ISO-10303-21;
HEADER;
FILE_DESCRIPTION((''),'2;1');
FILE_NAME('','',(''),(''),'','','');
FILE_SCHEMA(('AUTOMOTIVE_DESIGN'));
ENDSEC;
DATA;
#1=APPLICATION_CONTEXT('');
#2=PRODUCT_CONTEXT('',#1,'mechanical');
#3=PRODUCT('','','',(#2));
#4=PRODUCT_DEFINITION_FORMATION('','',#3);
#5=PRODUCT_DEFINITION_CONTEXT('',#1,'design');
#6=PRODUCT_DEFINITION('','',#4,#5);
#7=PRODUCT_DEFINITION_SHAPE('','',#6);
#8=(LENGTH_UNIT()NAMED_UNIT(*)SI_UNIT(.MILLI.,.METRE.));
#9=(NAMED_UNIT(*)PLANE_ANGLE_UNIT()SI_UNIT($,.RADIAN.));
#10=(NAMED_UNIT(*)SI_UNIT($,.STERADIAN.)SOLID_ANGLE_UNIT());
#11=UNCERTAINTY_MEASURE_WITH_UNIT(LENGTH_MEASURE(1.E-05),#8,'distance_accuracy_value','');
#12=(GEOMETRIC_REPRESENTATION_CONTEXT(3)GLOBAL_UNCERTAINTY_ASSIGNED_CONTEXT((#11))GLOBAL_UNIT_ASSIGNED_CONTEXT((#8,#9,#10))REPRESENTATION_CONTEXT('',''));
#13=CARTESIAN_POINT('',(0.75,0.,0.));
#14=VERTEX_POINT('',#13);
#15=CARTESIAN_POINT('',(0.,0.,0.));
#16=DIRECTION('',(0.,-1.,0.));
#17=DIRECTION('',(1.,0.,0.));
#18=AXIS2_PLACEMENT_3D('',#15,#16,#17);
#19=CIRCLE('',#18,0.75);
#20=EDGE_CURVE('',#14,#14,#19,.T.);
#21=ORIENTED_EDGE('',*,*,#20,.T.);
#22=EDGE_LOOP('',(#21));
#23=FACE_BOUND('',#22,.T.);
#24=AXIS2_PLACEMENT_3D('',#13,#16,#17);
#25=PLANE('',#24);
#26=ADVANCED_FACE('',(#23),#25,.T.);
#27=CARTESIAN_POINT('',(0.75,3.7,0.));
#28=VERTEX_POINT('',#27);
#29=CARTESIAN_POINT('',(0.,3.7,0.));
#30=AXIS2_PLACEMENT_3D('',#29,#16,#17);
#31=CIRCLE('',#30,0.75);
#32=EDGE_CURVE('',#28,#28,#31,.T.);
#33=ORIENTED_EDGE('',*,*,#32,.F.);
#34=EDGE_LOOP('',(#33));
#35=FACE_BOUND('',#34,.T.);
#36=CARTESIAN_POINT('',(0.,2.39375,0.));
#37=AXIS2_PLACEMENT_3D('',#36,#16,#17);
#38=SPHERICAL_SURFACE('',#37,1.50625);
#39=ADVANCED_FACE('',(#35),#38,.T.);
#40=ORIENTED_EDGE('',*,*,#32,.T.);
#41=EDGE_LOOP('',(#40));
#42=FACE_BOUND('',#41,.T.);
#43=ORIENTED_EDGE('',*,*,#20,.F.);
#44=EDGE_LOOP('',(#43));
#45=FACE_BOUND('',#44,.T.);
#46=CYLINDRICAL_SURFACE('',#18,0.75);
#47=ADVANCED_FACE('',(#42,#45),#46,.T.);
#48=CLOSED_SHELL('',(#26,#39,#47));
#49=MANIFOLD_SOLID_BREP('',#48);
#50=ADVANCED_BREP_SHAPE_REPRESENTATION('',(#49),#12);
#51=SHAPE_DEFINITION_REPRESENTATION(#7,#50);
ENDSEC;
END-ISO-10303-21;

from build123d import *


with BuildPart() as part:
    # Esquisse1 → Révolution1 (revolve)
    with BuildSketch(Plane.XY):
        with BuildLine():
            Line((0, 0), (0, 3.9))
            ThreePointArc((0, 3.9), (0.388104367, 3.849141378), (0.75, 3.7))
            Line((0.75, 3.7), (0.75, 0))
            Line((0.75, 0), (0, 0))
        make_face()
    revolve(axis=Axis((0, 0, 0), (0, 1, 0)))


solid = part.part
